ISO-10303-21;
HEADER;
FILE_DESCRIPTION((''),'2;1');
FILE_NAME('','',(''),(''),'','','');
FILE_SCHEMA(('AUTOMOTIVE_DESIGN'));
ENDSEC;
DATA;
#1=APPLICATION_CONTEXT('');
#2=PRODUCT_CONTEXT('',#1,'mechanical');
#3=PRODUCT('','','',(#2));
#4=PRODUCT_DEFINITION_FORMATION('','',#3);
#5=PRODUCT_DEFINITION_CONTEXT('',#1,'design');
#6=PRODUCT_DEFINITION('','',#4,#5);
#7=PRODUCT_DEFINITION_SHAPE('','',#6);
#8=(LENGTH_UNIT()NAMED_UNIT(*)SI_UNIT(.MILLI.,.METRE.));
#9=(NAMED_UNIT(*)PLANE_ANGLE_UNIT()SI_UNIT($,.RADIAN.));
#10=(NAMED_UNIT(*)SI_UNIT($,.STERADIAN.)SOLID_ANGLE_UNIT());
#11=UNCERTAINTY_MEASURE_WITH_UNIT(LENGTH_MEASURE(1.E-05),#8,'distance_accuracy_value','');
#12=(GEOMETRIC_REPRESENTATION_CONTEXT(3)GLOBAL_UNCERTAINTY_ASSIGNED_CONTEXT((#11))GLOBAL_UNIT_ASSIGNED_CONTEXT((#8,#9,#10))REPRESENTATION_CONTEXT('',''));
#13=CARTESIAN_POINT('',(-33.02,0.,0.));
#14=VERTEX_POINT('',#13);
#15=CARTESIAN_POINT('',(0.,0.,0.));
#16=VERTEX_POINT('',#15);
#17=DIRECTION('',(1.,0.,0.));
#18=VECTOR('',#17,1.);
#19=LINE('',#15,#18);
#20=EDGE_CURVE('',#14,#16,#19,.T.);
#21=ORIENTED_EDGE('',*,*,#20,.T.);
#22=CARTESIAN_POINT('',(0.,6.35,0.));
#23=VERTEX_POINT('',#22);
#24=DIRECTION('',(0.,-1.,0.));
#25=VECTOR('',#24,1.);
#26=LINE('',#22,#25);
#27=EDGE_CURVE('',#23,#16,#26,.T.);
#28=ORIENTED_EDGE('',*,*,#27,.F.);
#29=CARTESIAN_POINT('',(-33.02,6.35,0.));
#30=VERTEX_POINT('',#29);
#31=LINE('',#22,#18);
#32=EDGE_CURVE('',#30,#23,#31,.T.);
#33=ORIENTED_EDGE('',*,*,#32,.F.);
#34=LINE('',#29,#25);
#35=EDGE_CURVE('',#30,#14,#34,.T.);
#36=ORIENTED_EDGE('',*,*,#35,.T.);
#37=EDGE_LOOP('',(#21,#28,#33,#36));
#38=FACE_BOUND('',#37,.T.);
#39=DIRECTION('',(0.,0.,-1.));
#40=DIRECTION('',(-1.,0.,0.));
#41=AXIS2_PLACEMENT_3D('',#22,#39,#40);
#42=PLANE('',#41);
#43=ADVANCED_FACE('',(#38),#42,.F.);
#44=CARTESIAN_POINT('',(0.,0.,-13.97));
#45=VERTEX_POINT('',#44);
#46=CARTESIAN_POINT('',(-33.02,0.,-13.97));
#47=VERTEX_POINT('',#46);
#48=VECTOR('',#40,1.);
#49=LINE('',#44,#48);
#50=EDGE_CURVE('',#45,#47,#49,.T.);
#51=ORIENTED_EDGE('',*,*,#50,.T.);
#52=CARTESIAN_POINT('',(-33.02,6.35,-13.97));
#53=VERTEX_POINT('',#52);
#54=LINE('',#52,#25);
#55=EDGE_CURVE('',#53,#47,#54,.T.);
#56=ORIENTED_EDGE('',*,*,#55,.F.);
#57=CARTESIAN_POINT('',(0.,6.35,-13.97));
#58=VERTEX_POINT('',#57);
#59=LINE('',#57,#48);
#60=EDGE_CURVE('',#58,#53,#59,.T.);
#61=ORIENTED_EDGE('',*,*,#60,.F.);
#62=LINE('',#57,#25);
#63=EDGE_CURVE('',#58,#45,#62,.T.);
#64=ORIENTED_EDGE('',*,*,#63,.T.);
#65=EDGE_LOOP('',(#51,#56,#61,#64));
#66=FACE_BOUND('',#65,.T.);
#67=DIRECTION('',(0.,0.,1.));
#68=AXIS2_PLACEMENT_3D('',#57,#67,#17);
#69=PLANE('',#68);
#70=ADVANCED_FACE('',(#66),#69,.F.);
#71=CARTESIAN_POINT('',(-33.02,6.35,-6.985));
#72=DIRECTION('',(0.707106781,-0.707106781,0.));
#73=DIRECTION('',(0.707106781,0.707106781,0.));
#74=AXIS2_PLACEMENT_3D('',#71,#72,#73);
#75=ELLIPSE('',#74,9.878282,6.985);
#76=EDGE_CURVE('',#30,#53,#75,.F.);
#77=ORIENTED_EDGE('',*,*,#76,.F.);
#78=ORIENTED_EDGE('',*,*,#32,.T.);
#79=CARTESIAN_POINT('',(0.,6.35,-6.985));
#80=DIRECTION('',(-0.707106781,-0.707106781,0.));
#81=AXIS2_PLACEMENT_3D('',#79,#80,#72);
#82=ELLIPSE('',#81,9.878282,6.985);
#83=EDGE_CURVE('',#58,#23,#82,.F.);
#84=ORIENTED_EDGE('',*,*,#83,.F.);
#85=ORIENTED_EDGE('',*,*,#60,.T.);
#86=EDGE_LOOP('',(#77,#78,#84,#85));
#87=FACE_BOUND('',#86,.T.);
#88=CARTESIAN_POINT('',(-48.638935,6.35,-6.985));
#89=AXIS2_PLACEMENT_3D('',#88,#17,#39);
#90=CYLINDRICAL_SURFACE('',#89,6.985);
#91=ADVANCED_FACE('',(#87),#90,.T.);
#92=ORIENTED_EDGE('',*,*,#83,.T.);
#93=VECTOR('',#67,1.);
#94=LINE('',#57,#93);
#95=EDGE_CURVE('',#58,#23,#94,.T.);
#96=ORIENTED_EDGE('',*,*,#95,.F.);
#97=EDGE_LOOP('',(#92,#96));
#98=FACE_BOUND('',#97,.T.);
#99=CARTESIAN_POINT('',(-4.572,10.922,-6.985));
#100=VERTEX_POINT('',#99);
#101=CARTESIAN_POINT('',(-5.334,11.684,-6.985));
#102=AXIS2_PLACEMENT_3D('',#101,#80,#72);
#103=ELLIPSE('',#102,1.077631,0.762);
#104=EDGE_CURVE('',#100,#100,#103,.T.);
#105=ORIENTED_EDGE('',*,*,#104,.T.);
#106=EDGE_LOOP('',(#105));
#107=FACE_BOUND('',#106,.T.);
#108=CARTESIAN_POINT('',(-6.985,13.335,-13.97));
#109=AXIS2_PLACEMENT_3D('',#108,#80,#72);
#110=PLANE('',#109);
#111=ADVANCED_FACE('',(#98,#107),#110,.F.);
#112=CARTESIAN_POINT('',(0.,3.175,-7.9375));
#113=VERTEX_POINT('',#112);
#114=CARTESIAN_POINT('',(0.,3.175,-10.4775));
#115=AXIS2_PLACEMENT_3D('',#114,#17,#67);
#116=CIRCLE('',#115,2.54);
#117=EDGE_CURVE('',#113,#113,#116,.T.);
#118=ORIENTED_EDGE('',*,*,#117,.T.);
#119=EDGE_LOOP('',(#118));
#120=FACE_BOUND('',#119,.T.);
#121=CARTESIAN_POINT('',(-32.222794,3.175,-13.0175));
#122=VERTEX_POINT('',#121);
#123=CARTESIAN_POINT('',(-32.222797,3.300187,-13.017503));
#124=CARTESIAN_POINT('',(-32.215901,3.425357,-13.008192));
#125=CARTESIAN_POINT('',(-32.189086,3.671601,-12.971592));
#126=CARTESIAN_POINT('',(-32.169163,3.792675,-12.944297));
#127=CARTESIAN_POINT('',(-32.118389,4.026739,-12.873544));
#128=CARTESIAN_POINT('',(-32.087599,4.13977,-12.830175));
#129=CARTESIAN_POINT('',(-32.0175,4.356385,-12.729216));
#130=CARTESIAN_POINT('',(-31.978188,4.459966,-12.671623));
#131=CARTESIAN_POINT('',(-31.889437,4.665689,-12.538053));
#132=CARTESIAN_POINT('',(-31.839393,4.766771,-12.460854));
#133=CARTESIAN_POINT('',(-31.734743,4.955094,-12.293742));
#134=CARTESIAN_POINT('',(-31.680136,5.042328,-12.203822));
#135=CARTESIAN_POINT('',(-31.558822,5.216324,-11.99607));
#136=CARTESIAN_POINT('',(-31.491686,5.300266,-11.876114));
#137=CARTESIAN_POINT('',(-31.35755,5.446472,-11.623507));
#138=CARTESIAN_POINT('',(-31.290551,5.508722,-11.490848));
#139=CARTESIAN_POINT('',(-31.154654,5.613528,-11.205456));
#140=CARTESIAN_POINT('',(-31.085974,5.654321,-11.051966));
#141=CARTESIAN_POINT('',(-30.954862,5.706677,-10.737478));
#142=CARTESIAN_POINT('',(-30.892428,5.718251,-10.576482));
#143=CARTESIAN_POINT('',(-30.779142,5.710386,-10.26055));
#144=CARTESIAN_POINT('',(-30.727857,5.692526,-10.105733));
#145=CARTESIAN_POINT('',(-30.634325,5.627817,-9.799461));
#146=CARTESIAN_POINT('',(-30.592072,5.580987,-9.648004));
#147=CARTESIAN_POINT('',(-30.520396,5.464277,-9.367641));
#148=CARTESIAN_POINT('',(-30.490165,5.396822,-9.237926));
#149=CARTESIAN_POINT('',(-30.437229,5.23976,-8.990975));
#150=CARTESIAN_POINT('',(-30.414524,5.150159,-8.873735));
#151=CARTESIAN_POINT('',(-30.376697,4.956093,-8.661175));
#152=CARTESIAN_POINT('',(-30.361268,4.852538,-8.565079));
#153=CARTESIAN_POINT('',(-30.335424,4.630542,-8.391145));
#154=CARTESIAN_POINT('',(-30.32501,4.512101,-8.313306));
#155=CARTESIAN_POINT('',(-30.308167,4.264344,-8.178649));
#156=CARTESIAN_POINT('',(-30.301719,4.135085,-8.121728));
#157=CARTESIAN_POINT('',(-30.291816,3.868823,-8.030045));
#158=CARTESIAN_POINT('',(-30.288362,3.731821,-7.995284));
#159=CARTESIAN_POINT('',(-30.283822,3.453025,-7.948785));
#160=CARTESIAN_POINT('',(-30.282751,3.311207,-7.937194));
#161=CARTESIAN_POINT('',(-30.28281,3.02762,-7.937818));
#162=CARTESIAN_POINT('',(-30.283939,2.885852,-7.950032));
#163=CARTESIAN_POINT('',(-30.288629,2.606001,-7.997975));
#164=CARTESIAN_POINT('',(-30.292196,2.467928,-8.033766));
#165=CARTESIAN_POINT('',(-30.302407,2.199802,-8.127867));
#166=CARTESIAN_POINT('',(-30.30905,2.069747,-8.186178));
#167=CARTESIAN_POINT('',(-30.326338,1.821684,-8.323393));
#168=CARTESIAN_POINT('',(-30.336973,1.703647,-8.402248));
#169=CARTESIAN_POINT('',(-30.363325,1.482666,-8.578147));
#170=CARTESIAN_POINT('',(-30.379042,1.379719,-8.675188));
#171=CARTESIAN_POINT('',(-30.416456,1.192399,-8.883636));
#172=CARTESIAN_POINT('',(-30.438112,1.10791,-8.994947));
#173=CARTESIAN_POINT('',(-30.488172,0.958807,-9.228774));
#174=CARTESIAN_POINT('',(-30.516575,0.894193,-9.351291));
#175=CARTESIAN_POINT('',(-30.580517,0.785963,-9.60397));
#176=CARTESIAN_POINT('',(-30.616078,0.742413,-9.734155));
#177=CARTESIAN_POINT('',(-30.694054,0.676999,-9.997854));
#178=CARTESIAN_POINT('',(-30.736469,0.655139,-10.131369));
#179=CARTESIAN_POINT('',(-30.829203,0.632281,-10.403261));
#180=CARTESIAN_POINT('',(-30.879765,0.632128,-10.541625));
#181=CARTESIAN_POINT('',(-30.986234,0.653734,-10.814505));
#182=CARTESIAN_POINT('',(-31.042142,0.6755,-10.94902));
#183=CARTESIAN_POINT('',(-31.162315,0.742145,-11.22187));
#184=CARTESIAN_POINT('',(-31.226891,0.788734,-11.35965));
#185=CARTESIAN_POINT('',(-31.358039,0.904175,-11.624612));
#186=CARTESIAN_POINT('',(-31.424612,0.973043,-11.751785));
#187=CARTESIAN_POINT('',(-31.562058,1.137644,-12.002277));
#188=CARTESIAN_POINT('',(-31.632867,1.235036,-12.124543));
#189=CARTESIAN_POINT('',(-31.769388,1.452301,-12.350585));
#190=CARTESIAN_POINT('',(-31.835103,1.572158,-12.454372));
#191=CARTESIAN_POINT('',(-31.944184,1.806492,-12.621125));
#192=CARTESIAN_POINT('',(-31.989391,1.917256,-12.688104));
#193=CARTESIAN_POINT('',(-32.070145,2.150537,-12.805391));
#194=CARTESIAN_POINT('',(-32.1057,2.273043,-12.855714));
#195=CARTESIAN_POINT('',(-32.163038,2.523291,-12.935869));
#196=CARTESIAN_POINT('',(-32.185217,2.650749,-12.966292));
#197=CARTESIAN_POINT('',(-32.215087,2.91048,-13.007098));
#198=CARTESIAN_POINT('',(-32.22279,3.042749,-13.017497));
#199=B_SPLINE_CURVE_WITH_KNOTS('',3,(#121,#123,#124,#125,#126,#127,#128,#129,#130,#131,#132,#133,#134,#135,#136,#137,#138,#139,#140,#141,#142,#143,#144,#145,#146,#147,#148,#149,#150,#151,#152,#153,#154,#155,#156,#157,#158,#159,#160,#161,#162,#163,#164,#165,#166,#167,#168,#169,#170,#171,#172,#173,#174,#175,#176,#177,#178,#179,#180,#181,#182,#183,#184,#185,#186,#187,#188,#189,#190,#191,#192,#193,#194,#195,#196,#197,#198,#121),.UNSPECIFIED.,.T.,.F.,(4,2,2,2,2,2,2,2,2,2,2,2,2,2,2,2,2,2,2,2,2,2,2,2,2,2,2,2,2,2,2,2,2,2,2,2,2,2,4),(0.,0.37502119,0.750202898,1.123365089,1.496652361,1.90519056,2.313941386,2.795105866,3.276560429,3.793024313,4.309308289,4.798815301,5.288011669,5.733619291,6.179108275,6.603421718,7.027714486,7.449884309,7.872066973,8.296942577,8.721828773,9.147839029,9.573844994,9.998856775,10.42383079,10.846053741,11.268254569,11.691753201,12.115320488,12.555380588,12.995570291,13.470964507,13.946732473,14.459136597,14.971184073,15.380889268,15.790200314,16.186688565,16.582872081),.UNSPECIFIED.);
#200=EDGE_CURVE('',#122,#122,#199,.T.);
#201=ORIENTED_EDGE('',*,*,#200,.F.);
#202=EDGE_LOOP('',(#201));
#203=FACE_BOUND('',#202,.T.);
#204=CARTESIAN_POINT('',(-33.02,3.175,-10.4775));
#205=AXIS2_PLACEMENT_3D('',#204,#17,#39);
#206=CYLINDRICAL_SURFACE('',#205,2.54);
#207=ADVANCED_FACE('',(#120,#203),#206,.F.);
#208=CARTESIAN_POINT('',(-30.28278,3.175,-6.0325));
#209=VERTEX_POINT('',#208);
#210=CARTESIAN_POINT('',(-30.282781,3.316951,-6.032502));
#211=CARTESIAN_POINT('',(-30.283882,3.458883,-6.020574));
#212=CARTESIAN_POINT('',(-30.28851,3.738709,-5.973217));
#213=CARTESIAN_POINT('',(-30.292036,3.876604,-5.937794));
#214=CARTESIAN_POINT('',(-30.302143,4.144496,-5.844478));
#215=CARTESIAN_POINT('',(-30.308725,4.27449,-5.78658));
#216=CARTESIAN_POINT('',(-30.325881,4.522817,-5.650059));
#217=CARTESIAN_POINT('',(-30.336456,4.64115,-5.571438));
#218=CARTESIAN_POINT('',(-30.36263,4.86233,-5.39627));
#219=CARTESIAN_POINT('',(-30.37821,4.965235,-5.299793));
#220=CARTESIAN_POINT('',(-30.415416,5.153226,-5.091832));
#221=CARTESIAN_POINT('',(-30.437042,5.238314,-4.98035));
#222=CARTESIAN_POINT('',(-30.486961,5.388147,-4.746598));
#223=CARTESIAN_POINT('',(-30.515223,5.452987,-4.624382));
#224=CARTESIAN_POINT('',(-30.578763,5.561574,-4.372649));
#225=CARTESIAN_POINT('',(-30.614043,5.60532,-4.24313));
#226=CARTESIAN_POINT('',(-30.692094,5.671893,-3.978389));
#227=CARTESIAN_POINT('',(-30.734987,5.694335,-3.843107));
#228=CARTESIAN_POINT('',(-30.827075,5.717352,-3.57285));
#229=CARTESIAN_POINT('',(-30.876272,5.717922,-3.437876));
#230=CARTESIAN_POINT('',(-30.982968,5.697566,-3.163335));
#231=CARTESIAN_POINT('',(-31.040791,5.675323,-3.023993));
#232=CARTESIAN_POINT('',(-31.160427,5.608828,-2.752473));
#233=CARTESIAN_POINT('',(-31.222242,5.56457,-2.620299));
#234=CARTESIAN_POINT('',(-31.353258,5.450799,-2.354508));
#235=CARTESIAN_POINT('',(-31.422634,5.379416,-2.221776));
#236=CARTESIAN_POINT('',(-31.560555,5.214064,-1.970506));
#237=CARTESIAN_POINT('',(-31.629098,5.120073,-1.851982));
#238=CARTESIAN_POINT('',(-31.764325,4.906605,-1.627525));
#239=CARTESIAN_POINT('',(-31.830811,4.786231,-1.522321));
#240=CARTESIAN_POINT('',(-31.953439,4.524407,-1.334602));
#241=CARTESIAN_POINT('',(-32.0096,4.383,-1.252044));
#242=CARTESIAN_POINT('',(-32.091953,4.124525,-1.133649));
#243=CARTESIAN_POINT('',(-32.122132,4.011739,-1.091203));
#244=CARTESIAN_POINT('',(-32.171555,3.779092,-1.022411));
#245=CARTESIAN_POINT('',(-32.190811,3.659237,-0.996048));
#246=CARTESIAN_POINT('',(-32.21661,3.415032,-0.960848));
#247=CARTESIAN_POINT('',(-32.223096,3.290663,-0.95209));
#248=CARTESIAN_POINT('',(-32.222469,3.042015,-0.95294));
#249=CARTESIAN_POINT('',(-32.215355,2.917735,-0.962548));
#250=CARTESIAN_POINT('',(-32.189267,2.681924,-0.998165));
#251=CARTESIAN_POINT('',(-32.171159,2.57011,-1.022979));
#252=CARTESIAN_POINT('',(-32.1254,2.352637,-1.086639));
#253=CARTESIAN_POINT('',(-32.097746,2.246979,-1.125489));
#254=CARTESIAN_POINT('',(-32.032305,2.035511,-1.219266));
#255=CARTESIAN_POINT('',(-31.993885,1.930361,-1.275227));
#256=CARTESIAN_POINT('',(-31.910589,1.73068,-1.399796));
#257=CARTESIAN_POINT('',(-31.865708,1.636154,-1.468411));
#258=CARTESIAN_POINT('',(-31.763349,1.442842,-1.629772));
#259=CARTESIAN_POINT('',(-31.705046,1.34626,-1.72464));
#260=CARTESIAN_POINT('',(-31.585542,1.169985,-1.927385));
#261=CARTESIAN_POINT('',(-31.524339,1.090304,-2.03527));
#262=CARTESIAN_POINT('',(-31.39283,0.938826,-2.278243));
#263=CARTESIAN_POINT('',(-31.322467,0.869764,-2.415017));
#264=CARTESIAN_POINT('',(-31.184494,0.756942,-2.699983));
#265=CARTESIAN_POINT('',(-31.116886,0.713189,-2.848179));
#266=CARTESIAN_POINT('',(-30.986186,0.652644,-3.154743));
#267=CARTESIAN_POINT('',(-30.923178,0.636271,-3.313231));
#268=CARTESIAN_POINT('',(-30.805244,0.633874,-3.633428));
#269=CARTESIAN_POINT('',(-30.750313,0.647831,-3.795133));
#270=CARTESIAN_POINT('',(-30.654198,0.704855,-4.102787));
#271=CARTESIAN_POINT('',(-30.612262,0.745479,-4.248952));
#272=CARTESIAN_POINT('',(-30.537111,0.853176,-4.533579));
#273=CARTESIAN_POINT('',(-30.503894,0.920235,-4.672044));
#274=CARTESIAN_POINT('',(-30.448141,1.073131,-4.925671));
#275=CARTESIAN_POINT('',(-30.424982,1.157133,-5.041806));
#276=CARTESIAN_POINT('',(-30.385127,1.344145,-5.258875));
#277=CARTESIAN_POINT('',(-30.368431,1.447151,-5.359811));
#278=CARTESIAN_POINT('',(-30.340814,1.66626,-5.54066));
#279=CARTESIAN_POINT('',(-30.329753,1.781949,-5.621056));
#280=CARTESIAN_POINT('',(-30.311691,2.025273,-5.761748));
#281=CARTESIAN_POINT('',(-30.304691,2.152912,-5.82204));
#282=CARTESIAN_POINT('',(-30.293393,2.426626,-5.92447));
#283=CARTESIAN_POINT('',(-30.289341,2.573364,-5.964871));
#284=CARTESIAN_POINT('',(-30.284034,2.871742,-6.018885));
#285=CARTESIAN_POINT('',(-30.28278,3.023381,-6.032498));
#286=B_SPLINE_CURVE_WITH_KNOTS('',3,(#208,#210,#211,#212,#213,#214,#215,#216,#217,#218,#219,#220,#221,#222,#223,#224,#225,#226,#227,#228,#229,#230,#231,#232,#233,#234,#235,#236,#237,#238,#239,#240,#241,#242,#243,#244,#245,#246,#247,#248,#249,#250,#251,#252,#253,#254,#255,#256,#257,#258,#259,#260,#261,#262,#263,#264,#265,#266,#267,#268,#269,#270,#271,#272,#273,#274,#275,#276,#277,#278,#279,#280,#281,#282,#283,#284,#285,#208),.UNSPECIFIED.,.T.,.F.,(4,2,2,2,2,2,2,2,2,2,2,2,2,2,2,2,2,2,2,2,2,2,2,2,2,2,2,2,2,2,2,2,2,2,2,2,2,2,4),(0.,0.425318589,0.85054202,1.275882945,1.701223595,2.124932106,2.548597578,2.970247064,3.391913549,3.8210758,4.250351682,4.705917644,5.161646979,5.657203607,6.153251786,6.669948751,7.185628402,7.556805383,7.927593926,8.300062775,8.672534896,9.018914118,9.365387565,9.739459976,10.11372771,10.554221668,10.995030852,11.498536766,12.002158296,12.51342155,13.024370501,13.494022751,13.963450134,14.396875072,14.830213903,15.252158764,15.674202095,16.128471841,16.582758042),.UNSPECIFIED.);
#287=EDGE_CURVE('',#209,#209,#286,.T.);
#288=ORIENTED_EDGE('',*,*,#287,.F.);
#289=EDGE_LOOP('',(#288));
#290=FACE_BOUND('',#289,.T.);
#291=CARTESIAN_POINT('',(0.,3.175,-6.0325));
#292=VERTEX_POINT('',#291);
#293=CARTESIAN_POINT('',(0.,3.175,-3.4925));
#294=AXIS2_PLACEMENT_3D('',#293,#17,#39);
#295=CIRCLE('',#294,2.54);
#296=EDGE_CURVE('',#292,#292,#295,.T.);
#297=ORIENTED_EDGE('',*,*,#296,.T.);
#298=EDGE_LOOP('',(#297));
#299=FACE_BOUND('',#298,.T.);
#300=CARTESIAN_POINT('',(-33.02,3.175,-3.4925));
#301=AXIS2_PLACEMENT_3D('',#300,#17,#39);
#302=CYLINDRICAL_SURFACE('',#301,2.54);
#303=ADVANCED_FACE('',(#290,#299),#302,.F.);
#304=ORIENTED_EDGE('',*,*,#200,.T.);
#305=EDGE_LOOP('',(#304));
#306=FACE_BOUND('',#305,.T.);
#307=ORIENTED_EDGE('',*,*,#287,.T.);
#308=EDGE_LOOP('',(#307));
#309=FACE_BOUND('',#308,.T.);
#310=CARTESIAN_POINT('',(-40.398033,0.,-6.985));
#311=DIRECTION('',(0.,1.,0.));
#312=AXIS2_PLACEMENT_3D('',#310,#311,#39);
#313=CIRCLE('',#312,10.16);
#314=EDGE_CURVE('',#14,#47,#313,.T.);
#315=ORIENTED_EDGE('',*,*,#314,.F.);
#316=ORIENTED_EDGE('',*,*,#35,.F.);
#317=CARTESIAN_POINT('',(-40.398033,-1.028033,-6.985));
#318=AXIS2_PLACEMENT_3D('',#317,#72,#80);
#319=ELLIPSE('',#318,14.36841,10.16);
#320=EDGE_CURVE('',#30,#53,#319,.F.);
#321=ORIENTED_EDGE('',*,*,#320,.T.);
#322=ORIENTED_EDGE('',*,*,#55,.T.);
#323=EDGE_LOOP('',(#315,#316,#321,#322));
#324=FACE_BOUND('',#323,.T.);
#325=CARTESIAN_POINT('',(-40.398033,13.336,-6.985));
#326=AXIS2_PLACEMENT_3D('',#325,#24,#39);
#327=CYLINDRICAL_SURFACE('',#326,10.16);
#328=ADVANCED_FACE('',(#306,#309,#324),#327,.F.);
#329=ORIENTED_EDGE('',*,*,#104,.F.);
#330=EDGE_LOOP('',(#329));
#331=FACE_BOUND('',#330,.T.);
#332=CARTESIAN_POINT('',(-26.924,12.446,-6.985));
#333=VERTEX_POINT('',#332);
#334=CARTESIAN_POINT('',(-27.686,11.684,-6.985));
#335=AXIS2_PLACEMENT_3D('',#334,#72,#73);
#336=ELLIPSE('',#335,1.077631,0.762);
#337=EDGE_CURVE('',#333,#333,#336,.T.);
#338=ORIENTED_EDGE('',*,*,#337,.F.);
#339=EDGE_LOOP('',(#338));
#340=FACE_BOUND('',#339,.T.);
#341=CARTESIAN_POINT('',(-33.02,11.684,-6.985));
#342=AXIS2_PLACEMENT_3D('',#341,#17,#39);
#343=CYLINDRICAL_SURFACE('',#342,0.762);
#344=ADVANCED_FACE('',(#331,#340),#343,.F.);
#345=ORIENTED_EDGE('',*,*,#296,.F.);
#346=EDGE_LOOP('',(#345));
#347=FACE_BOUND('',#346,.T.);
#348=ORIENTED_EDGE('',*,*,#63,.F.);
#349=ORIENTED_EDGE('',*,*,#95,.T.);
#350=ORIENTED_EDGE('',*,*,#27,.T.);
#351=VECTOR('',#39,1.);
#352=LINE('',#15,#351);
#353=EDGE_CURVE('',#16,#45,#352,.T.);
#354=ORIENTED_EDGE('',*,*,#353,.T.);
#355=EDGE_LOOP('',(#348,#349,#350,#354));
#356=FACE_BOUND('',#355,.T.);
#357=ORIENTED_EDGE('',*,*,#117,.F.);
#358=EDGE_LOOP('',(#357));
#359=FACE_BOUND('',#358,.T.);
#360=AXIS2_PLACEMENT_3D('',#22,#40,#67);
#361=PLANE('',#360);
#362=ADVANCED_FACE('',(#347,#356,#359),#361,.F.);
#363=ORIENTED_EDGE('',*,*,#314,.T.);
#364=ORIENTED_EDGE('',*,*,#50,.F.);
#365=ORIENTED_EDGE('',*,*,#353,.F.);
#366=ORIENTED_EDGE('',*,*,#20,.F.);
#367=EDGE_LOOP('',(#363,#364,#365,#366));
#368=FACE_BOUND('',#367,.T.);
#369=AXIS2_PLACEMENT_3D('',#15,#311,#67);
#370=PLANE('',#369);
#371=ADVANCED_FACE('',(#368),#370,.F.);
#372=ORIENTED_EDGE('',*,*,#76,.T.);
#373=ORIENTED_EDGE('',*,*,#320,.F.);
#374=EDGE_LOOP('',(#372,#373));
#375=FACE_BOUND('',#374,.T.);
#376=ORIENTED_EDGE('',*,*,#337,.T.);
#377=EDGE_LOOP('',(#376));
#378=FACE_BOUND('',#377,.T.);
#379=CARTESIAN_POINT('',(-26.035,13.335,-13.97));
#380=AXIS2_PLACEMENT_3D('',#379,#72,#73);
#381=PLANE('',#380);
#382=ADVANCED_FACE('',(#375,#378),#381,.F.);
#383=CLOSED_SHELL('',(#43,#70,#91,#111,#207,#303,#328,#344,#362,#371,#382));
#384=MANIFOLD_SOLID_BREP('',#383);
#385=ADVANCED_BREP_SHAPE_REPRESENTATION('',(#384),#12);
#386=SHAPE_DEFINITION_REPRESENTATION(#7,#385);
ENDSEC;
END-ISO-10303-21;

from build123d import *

# Parameters (mm, degrees)
SKETCH1_W              = 33.02
SKETCH1_H              = 13.97
DEPTH_A_DEPTH          = 6.35
ROUND_EXTRUDE_DEPTH    = 33.02
ANGLE_CUT_DEPTH        = 39.253150524
STRING_HOLE_R          = 0.762
STRING_HOLE_CUT_DEPTH  = 39.253150524
ELASTIC_HOLES_R        = 2.54
ELASTIC_HOLE_CUT_DEPTH = 39.253150524
GUIDE_CUT_REACH        = 40.253


with BuildPart() as part:
    # Sketch1 → depth a (new body)
    with BuildSketch(Plane(origin=(0, 0, 0), x_dir=(1, 0, 0), z_dir=(0, 1, 0))):
        with Locations((-16.51, 6.985)):
            Rectangle(SKETCH1_W, SKETCH1_H)
    extrude(amount=DEPTH_A_DEPTH)

    # Sketch4 → round extrude (add)
    with BuildSketch(Plane(origin=(0, 0, 0), x_dir=(0, 0, -1), z_dir=(1, 0, 0))):
        with BuildLine():
            Line((0, 6.35), (13.97, 6.35))
            ThreePointArc((13.97, 6.35), (6.985, 13.335), (0, 6.35))
        make_face()
    extrude(amount=-ROUND_EXTRUDE_DEPTH)

    # Sketch5 → angle cut (cut, through all)
    with BuildSketch(Plane.XY):
        Polygon((0, 6.35), (0, 13.335), (-6.985, 13.335), align=None)
        Polygon((-33.02, 6.35), (-33.02, 13.335), (-26.035, 13.335), align=None)
    extrude(amount=-ANGLE_CUT_DEPTH, mode=Mode.SUBTRACT)

    # string hole → string hole cut (cut, through all)
    with BuildSketch(Plane(origin=(0, 0, 0), x_dir=(0, 0, -1), z_dir=(1, 0, 0))):
        with Locations(Location((6.985, 11.684, 0), (0, 0, 270))):
            Circle(STRING_HOLE_R)
    extrude(amount=-STRING_HOLE_CUT_DEPTH, mode=Mode.SUBTRACT)

    # elastic holes → elastic hole cut (cut, through all)
    with BuildSketch(Plane(origin=(0, 0, 0), x_dir=(0, 0, -1), z_dir=(1, 0, 0))):
        with Locations((3.4925, 3.175)):
            Circle(ELASTIC_HOLES_R)
        with Locations(Location((10.4775, 3.175, 0), (0, 0, 180))):
            Circle(ELASTIC_HOLES_R)
    extrude(amount=-ELASTIC_HOLE_CUT_DEPTH, mode=Mode.SUBTRACT)

    # guide → guide cut (cut, up to next)
    with BuildSketch(Plane(origin=(0, 0, 0), x_dir=(1, 0, 0), z_dir=(0, 1, 0)), mode=Mode.PRIVATE) as guide_cut_sk1:
        with BuildLine():
            Line((-33.02, 13.97), (-33.02, 0))
            ThreePointArc((-33.02, 0), (-30.238033275, 6.985), (-33.02, 13.97))
        make_face()
    guide_cut_tool1 = extrude(guide_cut_sk1.sketch, amount=GUIDE_CUT_REACH, mode=Mode.PRIVATE) & part.part
    add(guide_cut_tool1.solids().sort_by_distance((-31.893025, 0, -6.985))[0], mode=Mode.SUBTRACT)


solid = part.part
